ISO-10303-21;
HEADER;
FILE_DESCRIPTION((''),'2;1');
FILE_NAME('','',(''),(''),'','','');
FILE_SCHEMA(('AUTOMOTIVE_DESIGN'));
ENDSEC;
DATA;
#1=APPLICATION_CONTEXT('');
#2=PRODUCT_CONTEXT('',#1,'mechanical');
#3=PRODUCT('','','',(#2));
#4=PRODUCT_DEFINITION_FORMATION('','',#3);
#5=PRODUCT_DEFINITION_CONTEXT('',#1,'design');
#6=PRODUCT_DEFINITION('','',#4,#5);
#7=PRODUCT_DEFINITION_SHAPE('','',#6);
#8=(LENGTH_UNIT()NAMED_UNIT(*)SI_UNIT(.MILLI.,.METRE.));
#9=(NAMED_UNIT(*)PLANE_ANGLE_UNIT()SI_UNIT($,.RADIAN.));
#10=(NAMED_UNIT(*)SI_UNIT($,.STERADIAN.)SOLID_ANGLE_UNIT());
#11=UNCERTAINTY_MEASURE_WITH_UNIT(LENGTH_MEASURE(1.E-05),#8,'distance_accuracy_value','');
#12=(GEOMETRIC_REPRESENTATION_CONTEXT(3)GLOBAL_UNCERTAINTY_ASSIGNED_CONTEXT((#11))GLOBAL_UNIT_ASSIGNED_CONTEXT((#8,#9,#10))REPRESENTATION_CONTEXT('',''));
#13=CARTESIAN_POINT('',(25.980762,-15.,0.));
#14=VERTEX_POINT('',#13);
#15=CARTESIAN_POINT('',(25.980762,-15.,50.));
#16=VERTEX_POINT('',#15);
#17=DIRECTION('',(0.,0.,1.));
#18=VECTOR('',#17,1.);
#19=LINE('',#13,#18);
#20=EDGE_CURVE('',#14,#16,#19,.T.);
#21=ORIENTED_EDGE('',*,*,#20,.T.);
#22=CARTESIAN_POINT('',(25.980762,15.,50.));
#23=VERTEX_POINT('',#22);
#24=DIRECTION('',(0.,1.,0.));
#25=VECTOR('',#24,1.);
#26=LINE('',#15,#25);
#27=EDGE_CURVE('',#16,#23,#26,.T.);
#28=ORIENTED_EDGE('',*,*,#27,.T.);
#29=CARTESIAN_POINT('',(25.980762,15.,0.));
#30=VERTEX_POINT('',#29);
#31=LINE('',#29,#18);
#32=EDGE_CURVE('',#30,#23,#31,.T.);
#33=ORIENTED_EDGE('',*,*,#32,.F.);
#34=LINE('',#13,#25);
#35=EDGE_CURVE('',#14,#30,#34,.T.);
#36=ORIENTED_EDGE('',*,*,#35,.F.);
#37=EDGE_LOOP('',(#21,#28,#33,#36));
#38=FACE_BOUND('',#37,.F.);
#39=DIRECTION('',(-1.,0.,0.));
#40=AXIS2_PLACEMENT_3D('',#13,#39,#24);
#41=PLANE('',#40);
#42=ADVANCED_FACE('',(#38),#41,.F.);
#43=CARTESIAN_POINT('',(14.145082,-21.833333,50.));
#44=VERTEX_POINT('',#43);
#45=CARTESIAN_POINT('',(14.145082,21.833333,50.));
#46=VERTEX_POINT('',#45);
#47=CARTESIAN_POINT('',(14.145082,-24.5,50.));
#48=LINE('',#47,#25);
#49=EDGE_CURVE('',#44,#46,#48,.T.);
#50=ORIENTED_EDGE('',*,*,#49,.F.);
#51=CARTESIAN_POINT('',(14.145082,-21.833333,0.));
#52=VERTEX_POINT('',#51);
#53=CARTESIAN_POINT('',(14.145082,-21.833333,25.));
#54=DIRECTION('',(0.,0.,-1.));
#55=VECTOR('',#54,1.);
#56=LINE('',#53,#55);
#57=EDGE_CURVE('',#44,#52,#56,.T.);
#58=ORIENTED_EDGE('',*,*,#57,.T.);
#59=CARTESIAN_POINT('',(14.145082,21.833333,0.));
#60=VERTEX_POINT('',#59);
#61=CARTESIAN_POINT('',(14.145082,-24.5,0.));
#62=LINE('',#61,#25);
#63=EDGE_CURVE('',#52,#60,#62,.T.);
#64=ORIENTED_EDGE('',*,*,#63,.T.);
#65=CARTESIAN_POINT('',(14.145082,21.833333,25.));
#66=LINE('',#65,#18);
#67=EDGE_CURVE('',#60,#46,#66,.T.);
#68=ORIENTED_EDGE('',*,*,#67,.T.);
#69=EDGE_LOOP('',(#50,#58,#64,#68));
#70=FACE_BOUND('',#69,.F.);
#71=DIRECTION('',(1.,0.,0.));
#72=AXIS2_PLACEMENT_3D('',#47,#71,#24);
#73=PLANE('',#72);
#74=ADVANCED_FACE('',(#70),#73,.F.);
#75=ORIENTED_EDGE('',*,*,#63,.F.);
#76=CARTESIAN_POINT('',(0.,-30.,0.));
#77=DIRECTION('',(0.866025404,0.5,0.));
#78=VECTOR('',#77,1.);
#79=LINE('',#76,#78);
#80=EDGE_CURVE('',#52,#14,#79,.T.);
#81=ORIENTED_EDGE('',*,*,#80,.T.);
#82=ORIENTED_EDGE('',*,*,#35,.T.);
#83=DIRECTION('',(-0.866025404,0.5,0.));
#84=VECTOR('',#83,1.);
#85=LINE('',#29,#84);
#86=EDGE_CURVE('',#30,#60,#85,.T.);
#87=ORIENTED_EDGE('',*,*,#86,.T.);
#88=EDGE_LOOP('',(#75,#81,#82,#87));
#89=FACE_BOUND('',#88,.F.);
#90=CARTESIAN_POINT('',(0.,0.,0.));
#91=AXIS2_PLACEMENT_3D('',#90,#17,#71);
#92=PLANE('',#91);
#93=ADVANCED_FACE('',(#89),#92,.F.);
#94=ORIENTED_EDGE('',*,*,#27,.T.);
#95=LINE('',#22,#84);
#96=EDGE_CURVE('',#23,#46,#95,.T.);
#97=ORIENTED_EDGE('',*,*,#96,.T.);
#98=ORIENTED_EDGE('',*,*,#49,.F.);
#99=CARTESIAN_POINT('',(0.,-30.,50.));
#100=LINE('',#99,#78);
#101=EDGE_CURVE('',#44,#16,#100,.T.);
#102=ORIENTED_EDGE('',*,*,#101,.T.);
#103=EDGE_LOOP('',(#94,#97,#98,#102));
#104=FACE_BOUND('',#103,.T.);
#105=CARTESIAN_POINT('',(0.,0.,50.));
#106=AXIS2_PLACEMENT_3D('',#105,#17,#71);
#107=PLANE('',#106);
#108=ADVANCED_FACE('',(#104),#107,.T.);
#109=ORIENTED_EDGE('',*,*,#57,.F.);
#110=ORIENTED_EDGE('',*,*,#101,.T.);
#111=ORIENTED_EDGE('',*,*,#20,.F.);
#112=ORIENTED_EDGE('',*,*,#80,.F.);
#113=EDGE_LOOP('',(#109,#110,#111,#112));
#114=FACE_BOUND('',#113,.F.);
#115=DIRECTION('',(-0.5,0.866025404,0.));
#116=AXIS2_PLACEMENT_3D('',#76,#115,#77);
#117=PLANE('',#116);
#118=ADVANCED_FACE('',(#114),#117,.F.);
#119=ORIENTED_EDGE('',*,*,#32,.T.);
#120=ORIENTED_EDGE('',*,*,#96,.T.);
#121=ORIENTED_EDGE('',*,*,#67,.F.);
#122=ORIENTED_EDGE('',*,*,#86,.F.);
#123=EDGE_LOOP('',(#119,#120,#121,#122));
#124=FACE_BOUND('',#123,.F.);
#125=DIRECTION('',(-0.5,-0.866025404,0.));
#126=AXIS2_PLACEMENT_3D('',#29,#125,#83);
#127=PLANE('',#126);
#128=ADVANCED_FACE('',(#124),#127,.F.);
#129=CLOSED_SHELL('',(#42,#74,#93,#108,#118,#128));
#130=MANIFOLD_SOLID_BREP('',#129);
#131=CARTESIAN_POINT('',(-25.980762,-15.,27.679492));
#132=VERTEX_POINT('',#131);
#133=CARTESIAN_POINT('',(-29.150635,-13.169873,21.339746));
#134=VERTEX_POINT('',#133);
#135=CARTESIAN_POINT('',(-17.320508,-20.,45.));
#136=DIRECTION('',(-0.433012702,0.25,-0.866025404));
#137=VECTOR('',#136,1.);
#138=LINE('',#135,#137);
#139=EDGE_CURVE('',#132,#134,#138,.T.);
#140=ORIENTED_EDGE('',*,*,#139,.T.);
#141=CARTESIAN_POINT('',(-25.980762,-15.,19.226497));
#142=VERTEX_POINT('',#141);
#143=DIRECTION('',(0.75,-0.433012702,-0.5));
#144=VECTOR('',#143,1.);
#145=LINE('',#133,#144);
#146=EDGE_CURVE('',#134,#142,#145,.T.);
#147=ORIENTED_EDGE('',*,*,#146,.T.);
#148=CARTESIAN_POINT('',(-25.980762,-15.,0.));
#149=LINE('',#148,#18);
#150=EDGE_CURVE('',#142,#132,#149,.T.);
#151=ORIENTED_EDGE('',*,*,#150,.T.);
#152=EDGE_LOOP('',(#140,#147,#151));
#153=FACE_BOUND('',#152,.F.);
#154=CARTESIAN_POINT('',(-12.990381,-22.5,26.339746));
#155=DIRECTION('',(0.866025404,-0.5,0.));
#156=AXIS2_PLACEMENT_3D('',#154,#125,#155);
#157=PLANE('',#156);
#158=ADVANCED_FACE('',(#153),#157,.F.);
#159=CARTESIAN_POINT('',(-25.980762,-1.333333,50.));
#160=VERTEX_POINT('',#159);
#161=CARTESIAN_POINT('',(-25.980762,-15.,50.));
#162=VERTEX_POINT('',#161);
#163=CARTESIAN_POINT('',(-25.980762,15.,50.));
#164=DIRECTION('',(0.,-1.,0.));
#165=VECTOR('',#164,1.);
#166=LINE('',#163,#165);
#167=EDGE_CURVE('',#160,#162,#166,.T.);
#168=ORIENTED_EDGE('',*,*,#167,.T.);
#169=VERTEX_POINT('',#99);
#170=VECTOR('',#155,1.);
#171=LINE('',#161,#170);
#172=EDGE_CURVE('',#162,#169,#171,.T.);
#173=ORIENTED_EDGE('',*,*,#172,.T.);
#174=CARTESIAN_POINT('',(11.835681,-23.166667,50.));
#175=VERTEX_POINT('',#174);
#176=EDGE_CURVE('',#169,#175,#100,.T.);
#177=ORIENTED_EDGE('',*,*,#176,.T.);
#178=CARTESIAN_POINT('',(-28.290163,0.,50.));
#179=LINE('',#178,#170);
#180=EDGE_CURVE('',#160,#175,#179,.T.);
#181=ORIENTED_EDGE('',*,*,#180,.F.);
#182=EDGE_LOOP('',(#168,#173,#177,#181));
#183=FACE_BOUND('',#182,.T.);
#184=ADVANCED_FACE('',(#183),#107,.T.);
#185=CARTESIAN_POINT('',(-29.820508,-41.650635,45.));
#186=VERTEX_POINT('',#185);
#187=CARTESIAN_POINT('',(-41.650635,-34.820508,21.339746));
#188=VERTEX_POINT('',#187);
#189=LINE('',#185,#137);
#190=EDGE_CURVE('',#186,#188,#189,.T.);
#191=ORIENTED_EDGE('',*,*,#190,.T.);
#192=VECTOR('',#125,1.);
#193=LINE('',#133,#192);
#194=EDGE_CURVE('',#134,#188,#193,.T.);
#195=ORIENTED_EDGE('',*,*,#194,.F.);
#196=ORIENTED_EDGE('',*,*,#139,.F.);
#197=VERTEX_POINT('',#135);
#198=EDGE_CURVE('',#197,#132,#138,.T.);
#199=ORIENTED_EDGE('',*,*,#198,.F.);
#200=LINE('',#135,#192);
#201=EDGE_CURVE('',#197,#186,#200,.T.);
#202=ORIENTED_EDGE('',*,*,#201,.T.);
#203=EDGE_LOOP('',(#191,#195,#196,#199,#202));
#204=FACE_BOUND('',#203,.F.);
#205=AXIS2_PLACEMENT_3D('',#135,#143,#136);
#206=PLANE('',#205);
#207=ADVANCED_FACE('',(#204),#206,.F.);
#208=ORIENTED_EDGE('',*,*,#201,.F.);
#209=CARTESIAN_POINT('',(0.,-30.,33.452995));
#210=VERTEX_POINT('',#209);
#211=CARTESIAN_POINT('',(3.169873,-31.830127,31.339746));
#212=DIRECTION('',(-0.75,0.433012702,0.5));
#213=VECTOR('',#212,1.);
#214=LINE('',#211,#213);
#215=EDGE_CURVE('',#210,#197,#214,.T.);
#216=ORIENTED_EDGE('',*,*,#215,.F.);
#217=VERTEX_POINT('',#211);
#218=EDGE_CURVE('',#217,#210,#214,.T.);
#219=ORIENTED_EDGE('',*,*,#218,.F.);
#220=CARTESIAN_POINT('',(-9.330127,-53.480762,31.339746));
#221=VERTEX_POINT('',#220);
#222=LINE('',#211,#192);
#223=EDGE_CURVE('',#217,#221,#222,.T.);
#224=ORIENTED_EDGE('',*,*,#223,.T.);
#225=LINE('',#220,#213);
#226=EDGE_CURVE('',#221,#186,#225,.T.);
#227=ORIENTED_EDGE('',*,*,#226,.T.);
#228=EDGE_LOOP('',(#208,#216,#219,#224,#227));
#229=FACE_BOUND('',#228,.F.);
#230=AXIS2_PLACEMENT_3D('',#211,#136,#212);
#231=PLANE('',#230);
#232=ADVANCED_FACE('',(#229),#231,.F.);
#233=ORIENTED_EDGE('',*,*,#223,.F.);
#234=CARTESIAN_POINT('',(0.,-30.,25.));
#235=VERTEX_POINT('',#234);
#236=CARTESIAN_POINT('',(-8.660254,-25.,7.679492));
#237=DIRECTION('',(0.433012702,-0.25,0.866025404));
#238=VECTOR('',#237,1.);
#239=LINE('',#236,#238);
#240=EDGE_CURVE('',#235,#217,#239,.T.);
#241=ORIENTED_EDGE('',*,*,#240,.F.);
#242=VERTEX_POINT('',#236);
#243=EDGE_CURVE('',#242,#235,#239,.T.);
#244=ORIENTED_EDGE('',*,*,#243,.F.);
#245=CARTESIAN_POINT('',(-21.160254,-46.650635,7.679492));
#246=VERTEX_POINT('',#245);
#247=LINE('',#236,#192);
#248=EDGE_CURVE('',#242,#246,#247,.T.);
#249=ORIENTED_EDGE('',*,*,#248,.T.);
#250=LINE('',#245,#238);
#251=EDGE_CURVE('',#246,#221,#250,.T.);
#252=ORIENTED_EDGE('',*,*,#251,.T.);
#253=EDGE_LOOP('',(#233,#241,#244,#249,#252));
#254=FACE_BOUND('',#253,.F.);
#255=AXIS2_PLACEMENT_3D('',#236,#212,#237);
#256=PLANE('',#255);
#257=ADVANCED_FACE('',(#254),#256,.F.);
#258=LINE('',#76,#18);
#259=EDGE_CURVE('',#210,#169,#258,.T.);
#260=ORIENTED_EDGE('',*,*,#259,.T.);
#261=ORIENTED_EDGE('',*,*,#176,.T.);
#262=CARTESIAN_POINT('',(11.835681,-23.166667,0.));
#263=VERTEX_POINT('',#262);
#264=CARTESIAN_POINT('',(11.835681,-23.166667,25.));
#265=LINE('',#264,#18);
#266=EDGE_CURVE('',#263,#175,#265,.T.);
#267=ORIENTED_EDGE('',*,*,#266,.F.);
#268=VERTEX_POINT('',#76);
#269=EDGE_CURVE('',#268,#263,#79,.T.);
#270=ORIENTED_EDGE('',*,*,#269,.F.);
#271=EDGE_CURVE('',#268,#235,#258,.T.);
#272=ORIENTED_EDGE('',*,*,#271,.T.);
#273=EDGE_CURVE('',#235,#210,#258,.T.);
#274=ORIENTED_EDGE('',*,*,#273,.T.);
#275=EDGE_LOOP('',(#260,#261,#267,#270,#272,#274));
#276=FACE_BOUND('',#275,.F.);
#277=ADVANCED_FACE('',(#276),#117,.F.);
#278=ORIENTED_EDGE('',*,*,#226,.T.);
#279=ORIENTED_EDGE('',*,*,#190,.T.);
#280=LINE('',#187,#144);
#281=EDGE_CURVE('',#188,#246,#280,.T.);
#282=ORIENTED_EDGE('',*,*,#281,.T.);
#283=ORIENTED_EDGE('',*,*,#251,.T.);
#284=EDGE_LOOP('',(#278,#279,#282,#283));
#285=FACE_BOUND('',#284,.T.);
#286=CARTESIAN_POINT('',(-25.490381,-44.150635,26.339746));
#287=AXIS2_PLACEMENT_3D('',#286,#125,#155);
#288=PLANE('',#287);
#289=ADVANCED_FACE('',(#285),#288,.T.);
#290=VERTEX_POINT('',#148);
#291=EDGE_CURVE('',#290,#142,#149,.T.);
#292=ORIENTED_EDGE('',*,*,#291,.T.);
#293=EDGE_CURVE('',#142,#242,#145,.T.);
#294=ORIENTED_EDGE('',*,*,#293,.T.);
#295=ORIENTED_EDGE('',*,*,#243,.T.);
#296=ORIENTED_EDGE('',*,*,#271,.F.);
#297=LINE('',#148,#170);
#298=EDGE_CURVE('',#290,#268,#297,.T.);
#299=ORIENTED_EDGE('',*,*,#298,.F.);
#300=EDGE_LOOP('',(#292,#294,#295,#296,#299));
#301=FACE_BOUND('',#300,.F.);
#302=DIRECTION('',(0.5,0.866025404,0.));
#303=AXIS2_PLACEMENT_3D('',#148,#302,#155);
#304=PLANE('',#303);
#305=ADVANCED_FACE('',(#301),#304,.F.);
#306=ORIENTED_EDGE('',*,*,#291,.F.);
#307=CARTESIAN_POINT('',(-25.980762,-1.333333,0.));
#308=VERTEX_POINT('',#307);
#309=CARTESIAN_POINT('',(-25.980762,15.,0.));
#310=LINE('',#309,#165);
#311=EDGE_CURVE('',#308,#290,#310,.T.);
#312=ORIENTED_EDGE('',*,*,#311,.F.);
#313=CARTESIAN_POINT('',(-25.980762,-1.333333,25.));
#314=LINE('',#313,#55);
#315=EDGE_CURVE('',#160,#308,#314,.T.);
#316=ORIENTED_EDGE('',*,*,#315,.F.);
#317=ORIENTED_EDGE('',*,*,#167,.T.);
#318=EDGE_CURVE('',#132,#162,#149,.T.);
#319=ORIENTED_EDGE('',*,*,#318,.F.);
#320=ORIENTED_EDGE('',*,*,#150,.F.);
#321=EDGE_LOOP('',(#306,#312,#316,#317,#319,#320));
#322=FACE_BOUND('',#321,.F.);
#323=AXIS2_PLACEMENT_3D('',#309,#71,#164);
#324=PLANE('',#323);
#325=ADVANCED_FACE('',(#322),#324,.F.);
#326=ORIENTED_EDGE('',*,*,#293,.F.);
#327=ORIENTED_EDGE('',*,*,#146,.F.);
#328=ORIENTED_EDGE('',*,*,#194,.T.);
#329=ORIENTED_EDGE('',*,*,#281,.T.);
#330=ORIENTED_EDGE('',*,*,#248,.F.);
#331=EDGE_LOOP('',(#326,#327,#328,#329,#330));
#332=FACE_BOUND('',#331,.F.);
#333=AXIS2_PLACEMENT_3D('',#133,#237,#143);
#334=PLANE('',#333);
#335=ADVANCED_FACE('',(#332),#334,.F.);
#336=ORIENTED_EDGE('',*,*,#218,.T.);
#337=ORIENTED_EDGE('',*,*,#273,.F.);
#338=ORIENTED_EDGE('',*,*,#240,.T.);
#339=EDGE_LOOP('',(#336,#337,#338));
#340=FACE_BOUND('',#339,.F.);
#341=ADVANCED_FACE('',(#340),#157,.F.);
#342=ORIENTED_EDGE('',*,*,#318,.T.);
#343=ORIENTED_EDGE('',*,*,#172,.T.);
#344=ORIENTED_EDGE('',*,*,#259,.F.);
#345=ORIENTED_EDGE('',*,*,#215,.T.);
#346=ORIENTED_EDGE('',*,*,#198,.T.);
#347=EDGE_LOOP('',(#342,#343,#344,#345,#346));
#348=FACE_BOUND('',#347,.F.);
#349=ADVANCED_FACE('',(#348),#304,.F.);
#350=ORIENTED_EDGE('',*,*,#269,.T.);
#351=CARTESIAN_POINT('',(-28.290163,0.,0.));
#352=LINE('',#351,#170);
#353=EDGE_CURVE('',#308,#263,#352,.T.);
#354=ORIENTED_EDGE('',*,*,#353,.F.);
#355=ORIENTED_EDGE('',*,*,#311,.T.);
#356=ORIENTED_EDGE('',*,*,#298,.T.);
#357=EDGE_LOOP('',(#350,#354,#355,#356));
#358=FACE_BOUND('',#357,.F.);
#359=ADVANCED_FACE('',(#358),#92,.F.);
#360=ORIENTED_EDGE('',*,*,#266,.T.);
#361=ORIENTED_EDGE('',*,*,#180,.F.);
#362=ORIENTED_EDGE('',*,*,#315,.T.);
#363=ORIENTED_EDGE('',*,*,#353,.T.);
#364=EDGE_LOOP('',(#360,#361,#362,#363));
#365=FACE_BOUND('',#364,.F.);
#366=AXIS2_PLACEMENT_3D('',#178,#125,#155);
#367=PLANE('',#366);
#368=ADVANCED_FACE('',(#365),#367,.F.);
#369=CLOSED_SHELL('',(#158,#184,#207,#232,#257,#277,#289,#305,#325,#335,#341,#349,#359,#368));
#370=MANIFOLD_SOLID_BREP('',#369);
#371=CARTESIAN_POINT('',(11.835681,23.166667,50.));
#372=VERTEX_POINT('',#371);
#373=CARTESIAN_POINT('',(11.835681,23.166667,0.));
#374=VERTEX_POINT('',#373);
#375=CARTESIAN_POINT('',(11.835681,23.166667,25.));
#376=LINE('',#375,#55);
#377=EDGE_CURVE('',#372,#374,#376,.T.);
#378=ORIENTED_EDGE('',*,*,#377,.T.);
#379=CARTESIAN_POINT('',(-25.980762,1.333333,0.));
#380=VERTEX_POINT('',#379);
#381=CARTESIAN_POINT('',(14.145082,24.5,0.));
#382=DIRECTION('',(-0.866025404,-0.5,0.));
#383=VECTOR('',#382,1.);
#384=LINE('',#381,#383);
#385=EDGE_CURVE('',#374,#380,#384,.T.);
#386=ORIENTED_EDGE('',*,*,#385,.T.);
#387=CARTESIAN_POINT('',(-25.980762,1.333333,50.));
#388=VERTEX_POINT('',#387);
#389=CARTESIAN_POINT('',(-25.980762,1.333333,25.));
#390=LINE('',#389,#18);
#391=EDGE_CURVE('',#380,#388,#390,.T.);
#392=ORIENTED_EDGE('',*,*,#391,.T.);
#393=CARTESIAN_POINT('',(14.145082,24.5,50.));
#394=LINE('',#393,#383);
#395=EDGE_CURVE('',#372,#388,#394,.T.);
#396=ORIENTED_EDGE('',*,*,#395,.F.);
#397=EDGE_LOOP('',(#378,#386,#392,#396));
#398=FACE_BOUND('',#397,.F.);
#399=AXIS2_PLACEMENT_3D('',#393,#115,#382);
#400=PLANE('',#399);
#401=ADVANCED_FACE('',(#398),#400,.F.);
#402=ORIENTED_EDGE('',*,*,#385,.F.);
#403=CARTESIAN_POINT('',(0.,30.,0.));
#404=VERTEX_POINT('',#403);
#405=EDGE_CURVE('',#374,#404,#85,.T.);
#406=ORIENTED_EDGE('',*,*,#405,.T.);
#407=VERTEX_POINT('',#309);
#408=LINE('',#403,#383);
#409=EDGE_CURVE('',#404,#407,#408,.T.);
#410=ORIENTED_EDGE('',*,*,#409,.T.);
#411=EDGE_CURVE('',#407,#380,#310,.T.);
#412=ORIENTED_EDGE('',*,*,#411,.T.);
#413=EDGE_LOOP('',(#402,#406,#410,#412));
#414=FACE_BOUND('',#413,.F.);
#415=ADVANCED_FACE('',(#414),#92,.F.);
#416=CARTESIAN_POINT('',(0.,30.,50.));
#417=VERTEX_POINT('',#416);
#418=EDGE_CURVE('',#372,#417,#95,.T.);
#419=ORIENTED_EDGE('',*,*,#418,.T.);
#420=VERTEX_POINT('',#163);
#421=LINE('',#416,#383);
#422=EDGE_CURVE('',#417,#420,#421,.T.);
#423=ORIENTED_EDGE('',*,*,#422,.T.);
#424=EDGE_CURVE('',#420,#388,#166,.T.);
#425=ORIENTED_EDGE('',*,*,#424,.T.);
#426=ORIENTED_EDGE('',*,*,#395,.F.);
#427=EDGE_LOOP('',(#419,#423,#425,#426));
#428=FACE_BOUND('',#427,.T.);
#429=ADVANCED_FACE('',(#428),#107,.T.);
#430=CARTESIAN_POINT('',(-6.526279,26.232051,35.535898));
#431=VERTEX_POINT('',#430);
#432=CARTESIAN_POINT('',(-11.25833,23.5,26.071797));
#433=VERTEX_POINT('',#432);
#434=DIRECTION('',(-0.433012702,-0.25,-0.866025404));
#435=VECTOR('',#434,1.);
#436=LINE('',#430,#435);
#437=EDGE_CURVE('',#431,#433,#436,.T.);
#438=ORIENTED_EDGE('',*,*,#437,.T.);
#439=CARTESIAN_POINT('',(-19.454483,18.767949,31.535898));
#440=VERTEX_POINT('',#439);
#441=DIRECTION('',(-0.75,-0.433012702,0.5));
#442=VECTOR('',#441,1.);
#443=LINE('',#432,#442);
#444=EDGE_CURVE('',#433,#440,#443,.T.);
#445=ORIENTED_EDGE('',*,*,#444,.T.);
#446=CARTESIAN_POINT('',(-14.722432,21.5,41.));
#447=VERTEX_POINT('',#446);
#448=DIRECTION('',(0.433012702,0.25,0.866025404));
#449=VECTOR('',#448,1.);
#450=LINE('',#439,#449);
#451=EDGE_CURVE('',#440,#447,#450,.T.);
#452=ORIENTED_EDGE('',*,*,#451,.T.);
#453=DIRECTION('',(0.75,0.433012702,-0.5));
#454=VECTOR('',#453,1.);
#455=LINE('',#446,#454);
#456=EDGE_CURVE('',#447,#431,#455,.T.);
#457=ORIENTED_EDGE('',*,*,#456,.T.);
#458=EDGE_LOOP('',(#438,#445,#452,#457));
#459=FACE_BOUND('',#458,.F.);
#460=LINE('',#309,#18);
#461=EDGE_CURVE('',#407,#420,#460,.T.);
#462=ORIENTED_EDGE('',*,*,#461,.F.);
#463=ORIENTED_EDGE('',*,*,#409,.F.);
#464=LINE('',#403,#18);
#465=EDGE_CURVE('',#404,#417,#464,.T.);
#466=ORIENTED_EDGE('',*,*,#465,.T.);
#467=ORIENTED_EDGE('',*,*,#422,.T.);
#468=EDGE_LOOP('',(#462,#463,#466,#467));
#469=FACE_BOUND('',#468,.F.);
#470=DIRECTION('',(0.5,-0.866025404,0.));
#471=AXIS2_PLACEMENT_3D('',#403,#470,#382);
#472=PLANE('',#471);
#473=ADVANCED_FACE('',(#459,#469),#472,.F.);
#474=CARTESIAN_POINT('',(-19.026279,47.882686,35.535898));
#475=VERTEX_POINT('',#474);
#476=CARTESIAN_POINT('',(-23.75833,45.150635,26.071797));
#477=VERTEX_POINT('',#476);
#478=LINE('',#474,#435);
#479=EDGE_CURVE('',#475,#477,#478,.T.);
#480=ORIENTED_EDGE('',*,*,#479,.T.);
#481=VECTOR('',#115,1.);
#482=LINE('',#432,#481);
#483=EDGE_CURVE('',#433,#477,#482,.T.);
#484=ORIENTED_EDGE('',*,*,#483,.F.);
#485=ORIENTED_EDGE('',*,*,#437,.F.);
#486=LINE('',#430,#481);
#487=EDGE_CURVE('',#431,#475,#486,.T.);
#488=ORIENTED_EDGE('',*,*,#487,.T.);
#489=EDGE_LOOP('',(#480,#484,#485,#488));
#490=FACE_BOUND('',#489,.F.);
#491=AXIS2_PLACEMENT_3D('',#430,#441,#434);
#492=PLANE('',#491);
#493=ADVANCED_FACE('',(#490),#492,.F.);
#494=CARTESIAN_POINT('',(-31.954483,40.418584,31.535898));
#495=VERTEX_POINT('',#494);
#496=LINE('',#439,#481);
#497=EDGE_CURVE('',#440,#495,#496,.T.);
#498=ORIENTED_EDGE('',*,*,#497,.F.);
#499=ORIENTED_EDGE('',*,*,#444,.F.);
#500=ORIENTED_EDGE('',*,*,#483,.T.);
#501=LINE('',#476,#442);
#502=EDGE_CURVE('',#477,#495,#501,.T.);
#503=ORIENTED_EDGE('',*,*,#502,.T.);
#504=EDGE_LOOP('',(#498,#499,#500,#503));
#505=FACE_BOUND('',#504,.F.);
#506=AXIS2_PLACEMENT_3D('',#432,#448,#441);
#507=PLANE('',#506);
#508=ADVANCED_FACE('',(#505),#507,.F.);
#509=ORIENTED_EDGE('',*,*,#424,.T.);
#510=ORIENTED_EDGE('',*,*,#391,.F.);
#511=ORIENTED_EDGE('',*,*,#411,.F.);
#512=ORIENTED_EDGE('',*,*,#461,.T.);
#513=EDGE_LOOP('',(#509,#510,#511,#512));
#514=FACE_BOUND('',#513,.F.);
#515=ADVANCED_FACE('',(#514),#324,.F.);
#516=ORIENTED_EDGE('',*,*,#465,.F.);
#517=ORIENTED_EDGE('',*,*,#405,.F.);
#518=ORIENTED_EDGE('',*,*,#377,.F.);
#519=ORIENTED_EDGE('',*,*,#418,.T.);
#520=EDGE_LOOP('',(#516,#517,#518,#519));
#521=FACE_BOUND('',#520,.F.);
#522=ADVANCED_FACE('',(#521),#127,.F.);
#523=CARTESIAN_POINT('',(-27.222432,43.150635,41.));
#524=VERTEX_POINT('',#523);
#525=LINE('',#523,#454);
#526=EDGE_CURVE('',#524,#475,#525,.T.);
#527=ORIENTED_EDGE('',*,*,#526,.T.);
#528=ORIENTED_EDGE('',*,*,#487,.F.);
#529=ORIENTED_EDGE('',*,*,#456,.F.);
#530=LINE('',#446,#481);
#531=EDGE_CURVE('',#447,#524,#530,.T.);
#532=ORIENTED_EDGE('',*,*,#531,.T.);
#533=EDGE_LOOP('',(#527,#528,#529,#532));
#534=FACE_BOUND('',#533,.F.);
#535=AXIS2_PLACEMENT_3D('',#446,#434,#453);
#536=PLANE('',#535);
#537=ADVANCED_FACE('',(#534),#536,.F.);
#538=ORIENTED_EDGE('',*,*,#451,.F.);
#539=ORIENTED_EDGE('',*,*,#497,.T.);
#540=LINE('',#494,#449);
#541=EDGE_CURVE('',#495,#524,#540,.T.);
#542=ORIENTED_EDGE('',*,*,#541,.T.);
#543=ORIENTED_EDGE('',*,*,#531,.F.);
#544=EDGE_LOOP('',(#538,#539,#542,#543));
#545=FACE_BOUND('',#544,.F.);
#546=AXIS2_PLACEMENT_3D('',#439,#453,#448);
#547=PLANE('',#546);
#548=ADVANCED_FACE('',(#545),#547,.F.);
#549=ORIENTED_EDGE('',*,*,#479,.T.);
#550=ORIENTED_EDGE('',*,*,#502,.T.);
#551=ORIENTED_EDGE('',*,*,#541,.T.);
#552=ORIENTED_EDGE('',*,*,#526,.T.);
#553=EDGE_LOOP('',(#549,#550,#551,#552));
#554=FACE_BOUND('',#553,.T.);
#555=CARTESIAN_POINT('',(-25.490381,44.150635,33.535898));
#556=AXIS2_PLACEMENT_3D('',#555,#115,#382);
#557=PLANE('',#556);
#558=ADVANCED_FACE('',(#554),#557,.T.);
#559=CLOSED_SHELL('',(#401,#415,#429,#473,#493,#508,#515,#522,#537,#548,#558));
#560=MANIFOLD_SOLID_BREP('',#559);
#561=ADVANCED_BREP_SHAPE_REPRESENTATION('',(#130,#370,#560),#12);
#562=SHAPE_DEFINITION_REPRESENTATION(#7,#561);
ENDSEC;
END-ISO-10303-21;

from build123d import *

# Parameters (mm, degrees)
F1_DEPTH = 50
F3_DEPTH = 50
F5_DEPTH = 25
F7_DEPTH = 25


with BuildPart() as f1:
    # F0 (on Top) → F1 (new body)
    with BuildSketch(Plane.XY):
        Polygon((-25.9807621135, 15), (-25.9807621135, -15), (0, -30), (25.9807621135, -15), (25.9807621135, 15), (0, 30), align=None)
    extrude(amount=F1_DEPTH)

    # F2 (on face) → F3 (cut)
    with BuildSketch(Plane.XY.offset(50)):
        Polygon((14.1450815951, 24.5), (-28.2901631903, 0), (14.1450815951, -24.5), align=None)
    extrude(amount=-F3_DEPTH, mode=Mode.SUBTRACT)

    # F4 (on face) → F5 (join)
    with BuildSketch(Plane(origin=(-12.9903810568, -22.5, 0), x_dir=(0.8660254038, -0.5, 0), z_dir=(-0.5, -0.8660254038, 0))):
        Polygon((-5, 45), (-18.6602540378, 21.3397459622), (5, 7.6794919243), (18.6602540378, 31.3397459622), align=None)
    extrude(amount=F5_DEPTH)

    # F6 (on face) → F7 (join)
    with BuildSketch(Plane(origin=(-12.9903810568, 22.5, 0), x_dir=(-0.8660254038, -0.5, 0), z_dir=(-0.5, 0.8660254038, 0))):
        Polygon((-2, 26.0717967697), (7.4641016151, 31.5358983849), (2, 41), (-7.4641016151, 35.5358983849), align=None)
    extrude(amount=F7_DEPTH)


solid = f1.part
